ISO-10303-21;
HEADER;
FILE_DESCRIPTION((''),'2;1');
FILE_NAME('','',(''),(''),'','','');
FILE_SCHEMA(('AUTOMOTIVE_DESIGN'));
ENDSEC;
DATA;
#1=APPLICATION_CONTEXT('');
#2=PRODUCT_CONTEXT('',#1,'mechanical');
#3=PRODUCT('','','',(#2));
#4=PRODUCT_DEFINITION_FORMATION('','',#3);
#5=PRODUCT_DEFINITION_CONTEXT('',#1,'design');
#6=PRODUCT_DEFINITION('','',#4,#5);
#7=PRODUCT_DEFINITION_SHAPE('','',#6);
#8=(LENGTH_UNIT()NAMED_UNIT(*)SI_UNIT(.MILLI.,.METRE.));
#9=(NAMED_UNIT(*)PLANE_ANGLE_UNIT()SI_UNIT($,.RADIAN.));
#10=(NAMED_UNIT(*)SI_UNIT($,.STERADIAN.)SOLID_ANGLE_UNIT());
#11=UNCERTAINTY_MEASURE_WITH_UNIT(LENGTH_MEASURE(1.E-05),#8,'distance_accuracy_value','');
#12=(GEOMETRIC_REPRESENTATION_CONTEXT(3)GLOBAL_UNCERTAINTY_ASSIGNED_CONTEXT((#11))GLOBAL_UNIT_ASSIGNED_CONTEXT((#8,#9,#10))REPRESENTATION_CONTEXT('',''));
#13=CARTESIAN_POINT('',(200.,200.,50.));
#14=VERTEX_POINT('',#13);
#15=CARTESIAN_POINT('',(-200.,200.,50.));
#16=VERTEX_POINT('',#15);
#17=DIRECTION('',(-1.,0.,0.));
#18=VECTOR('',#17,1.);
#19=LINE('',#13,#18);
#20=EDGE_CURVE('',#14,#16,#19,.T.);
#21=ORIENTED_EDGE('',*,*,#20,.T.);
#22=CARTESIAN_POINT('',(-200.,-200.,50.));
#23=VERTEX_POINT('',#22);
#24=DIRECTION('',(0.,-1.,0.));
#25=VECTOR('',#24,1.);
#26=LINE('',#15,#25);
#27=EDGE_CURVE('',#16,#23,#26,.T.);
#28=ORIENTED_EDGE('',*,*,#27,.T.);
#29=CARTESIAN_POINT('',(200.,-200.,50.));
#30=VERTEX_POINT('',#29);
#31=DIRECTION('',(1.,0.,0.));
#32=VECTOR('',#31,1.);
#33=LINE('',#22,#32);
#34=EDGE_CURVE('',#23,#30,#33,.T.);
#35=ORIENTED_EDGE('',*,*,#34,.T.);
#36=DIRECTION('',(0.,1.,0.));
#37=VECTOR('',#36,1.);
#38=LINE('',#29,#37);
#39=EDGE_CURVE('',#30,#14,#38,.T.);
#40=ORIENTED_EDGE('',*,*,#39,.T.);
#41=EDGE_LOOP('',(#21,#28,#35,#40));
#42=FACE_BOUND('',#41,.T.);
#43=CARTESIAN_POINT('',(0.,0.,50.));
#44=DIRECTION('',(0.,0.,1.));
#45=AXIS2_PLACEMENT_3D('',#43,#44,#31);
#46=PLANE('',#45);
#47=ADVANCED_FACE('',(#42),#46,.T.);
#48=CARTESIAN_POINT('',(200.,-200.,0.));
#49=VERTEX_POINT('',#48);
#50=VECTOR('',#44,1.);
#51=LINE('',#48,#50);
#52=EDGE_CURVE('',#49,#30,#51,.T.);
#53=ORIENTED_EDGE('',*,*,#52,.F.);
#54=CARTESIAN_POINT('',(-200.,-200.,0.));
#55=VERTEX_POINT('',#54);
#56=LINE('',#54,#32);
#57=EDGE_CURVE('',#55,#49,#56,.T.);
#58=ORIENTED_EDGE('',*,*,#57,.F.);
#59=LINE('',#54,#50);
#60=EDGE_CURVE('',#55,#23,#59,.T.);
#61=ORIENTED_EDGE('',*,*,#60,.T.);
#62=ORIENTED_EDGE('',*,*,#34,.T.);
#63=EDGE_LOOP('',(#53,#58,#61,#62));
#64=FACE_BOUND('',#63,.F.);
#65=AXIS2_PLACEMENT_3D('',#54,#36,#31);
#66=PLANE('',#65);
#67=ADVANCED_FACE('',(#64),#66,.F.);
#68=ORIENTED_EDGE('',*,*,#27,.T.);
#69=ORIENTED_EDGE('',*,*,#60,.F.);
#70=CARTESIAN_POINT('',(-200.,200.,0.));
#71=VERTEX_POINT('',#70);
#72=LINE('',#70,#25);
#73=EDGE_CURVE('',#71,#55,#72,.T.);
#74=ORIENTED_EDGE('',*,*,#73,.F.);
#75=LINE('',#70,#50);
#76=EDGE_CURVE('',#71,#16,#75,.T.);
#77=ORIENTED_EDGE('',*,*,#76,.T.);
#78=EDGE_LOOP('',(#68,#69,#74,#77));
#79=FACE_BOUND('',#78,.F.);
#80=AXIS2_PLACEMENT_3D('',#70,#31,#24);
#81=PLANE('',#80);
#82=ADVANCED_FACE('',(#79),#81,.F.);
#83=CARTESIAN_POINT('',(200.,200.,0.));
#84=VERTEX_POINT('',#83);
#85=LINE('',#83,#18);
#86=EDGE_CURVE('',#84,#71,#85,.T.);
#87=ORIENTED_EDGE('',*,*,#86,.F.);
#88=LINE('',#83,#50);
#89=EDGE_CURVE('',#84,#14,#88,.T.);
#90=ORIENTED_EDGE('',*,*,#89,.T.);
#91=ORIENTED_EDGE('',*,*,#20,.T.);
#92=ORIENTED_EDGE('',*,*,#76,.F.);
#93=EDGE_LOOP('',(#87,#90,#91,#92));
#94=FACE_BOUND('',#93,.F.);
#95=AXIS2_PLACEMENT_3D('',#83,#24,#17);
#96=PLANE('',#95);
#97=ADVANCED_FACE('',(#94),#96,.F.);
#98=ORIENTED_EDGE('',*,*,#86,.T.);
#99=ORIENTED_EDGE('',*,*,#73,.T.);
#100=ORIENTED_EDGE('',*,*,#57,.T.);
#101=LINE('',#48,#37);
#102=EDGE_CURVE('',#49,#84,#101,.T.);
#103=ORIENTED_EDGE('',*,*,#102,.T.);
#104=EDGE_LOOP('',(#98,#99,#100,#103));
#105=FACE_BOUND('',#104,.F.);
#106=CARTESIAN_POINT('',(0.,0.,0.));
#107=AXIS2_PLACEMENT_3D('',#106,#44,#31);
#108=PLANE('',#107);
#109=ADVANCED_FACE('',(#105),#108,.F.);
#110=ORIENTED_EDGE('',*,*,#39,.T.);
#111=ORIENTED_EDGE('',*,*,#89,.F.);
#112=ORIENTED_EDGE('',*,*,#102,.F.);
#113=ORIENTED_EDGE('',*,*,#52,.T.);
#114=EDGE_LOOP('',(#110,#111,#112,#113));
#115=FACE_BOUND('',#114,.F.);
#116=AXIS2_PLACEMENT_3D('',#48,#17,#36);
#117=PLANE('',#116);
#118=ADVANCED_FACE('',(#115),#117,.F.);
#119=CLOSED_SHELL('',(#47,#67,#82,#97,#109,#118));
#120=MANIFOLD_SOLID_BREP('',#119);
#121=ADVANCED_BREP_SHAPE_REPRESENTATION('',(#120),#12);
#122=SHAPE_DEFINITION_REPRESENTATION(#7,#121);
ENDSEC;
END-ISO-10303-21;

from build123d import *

# Parameters (mm, degrees)
F0_W     = 175
F0_H     = 50
F0_W_2   = 150
F0_H_2   = 150
F1_DEPTH = 50


with BuildPart() as f1:
    # F0 (on Top) → F1 (new body)
    with BuildSketch(Plane.XY):
        Polygon((200, -200), (200, 200), (-200, 200), (-200, 75), (-200, -75), (-200, -200), align=None)
        with Locations((-87.5, -150)):
            Rectangle(F0_W, F0_H, mode=Mode.SUBTRACT)
        with Locations((100, -100)):
            Rectangle(F0_W_2, F0_H_2, mode=Mode.SUBTRACT)
        with Locations((-100, 0)):
            Rectangle(F0_W_2, F0_H_2, mode=Mode.SUBTRACT)
        with Locations((-87.5, 150)):
            Rectangle(F0_W, F0_H, mode=Mode.SUBTRACT)
        with Locations((100, 100)):
            Rectangle(F0_W_2, F0_H_2, mode=Mode.SUBTRACT)
        with Locations((-100, 0)):
            Rectangle(F0_W_2, F0_H_2)
        with Locations((-87.5, -150)):
            Rectangle(F0_W, F0_H)
        with Locations((100, -100)):
            Rectangle(F0_W_2, F0_H_2)
        with Locations((100, 100)):
            Rectangle(F0_W_2, F0_H_2)
        with Locations((-87.5, 150)):
            Rectangle(F0_W, F0_H)
    extrude(amount=F1_DEPTH)


solid = f1.part
